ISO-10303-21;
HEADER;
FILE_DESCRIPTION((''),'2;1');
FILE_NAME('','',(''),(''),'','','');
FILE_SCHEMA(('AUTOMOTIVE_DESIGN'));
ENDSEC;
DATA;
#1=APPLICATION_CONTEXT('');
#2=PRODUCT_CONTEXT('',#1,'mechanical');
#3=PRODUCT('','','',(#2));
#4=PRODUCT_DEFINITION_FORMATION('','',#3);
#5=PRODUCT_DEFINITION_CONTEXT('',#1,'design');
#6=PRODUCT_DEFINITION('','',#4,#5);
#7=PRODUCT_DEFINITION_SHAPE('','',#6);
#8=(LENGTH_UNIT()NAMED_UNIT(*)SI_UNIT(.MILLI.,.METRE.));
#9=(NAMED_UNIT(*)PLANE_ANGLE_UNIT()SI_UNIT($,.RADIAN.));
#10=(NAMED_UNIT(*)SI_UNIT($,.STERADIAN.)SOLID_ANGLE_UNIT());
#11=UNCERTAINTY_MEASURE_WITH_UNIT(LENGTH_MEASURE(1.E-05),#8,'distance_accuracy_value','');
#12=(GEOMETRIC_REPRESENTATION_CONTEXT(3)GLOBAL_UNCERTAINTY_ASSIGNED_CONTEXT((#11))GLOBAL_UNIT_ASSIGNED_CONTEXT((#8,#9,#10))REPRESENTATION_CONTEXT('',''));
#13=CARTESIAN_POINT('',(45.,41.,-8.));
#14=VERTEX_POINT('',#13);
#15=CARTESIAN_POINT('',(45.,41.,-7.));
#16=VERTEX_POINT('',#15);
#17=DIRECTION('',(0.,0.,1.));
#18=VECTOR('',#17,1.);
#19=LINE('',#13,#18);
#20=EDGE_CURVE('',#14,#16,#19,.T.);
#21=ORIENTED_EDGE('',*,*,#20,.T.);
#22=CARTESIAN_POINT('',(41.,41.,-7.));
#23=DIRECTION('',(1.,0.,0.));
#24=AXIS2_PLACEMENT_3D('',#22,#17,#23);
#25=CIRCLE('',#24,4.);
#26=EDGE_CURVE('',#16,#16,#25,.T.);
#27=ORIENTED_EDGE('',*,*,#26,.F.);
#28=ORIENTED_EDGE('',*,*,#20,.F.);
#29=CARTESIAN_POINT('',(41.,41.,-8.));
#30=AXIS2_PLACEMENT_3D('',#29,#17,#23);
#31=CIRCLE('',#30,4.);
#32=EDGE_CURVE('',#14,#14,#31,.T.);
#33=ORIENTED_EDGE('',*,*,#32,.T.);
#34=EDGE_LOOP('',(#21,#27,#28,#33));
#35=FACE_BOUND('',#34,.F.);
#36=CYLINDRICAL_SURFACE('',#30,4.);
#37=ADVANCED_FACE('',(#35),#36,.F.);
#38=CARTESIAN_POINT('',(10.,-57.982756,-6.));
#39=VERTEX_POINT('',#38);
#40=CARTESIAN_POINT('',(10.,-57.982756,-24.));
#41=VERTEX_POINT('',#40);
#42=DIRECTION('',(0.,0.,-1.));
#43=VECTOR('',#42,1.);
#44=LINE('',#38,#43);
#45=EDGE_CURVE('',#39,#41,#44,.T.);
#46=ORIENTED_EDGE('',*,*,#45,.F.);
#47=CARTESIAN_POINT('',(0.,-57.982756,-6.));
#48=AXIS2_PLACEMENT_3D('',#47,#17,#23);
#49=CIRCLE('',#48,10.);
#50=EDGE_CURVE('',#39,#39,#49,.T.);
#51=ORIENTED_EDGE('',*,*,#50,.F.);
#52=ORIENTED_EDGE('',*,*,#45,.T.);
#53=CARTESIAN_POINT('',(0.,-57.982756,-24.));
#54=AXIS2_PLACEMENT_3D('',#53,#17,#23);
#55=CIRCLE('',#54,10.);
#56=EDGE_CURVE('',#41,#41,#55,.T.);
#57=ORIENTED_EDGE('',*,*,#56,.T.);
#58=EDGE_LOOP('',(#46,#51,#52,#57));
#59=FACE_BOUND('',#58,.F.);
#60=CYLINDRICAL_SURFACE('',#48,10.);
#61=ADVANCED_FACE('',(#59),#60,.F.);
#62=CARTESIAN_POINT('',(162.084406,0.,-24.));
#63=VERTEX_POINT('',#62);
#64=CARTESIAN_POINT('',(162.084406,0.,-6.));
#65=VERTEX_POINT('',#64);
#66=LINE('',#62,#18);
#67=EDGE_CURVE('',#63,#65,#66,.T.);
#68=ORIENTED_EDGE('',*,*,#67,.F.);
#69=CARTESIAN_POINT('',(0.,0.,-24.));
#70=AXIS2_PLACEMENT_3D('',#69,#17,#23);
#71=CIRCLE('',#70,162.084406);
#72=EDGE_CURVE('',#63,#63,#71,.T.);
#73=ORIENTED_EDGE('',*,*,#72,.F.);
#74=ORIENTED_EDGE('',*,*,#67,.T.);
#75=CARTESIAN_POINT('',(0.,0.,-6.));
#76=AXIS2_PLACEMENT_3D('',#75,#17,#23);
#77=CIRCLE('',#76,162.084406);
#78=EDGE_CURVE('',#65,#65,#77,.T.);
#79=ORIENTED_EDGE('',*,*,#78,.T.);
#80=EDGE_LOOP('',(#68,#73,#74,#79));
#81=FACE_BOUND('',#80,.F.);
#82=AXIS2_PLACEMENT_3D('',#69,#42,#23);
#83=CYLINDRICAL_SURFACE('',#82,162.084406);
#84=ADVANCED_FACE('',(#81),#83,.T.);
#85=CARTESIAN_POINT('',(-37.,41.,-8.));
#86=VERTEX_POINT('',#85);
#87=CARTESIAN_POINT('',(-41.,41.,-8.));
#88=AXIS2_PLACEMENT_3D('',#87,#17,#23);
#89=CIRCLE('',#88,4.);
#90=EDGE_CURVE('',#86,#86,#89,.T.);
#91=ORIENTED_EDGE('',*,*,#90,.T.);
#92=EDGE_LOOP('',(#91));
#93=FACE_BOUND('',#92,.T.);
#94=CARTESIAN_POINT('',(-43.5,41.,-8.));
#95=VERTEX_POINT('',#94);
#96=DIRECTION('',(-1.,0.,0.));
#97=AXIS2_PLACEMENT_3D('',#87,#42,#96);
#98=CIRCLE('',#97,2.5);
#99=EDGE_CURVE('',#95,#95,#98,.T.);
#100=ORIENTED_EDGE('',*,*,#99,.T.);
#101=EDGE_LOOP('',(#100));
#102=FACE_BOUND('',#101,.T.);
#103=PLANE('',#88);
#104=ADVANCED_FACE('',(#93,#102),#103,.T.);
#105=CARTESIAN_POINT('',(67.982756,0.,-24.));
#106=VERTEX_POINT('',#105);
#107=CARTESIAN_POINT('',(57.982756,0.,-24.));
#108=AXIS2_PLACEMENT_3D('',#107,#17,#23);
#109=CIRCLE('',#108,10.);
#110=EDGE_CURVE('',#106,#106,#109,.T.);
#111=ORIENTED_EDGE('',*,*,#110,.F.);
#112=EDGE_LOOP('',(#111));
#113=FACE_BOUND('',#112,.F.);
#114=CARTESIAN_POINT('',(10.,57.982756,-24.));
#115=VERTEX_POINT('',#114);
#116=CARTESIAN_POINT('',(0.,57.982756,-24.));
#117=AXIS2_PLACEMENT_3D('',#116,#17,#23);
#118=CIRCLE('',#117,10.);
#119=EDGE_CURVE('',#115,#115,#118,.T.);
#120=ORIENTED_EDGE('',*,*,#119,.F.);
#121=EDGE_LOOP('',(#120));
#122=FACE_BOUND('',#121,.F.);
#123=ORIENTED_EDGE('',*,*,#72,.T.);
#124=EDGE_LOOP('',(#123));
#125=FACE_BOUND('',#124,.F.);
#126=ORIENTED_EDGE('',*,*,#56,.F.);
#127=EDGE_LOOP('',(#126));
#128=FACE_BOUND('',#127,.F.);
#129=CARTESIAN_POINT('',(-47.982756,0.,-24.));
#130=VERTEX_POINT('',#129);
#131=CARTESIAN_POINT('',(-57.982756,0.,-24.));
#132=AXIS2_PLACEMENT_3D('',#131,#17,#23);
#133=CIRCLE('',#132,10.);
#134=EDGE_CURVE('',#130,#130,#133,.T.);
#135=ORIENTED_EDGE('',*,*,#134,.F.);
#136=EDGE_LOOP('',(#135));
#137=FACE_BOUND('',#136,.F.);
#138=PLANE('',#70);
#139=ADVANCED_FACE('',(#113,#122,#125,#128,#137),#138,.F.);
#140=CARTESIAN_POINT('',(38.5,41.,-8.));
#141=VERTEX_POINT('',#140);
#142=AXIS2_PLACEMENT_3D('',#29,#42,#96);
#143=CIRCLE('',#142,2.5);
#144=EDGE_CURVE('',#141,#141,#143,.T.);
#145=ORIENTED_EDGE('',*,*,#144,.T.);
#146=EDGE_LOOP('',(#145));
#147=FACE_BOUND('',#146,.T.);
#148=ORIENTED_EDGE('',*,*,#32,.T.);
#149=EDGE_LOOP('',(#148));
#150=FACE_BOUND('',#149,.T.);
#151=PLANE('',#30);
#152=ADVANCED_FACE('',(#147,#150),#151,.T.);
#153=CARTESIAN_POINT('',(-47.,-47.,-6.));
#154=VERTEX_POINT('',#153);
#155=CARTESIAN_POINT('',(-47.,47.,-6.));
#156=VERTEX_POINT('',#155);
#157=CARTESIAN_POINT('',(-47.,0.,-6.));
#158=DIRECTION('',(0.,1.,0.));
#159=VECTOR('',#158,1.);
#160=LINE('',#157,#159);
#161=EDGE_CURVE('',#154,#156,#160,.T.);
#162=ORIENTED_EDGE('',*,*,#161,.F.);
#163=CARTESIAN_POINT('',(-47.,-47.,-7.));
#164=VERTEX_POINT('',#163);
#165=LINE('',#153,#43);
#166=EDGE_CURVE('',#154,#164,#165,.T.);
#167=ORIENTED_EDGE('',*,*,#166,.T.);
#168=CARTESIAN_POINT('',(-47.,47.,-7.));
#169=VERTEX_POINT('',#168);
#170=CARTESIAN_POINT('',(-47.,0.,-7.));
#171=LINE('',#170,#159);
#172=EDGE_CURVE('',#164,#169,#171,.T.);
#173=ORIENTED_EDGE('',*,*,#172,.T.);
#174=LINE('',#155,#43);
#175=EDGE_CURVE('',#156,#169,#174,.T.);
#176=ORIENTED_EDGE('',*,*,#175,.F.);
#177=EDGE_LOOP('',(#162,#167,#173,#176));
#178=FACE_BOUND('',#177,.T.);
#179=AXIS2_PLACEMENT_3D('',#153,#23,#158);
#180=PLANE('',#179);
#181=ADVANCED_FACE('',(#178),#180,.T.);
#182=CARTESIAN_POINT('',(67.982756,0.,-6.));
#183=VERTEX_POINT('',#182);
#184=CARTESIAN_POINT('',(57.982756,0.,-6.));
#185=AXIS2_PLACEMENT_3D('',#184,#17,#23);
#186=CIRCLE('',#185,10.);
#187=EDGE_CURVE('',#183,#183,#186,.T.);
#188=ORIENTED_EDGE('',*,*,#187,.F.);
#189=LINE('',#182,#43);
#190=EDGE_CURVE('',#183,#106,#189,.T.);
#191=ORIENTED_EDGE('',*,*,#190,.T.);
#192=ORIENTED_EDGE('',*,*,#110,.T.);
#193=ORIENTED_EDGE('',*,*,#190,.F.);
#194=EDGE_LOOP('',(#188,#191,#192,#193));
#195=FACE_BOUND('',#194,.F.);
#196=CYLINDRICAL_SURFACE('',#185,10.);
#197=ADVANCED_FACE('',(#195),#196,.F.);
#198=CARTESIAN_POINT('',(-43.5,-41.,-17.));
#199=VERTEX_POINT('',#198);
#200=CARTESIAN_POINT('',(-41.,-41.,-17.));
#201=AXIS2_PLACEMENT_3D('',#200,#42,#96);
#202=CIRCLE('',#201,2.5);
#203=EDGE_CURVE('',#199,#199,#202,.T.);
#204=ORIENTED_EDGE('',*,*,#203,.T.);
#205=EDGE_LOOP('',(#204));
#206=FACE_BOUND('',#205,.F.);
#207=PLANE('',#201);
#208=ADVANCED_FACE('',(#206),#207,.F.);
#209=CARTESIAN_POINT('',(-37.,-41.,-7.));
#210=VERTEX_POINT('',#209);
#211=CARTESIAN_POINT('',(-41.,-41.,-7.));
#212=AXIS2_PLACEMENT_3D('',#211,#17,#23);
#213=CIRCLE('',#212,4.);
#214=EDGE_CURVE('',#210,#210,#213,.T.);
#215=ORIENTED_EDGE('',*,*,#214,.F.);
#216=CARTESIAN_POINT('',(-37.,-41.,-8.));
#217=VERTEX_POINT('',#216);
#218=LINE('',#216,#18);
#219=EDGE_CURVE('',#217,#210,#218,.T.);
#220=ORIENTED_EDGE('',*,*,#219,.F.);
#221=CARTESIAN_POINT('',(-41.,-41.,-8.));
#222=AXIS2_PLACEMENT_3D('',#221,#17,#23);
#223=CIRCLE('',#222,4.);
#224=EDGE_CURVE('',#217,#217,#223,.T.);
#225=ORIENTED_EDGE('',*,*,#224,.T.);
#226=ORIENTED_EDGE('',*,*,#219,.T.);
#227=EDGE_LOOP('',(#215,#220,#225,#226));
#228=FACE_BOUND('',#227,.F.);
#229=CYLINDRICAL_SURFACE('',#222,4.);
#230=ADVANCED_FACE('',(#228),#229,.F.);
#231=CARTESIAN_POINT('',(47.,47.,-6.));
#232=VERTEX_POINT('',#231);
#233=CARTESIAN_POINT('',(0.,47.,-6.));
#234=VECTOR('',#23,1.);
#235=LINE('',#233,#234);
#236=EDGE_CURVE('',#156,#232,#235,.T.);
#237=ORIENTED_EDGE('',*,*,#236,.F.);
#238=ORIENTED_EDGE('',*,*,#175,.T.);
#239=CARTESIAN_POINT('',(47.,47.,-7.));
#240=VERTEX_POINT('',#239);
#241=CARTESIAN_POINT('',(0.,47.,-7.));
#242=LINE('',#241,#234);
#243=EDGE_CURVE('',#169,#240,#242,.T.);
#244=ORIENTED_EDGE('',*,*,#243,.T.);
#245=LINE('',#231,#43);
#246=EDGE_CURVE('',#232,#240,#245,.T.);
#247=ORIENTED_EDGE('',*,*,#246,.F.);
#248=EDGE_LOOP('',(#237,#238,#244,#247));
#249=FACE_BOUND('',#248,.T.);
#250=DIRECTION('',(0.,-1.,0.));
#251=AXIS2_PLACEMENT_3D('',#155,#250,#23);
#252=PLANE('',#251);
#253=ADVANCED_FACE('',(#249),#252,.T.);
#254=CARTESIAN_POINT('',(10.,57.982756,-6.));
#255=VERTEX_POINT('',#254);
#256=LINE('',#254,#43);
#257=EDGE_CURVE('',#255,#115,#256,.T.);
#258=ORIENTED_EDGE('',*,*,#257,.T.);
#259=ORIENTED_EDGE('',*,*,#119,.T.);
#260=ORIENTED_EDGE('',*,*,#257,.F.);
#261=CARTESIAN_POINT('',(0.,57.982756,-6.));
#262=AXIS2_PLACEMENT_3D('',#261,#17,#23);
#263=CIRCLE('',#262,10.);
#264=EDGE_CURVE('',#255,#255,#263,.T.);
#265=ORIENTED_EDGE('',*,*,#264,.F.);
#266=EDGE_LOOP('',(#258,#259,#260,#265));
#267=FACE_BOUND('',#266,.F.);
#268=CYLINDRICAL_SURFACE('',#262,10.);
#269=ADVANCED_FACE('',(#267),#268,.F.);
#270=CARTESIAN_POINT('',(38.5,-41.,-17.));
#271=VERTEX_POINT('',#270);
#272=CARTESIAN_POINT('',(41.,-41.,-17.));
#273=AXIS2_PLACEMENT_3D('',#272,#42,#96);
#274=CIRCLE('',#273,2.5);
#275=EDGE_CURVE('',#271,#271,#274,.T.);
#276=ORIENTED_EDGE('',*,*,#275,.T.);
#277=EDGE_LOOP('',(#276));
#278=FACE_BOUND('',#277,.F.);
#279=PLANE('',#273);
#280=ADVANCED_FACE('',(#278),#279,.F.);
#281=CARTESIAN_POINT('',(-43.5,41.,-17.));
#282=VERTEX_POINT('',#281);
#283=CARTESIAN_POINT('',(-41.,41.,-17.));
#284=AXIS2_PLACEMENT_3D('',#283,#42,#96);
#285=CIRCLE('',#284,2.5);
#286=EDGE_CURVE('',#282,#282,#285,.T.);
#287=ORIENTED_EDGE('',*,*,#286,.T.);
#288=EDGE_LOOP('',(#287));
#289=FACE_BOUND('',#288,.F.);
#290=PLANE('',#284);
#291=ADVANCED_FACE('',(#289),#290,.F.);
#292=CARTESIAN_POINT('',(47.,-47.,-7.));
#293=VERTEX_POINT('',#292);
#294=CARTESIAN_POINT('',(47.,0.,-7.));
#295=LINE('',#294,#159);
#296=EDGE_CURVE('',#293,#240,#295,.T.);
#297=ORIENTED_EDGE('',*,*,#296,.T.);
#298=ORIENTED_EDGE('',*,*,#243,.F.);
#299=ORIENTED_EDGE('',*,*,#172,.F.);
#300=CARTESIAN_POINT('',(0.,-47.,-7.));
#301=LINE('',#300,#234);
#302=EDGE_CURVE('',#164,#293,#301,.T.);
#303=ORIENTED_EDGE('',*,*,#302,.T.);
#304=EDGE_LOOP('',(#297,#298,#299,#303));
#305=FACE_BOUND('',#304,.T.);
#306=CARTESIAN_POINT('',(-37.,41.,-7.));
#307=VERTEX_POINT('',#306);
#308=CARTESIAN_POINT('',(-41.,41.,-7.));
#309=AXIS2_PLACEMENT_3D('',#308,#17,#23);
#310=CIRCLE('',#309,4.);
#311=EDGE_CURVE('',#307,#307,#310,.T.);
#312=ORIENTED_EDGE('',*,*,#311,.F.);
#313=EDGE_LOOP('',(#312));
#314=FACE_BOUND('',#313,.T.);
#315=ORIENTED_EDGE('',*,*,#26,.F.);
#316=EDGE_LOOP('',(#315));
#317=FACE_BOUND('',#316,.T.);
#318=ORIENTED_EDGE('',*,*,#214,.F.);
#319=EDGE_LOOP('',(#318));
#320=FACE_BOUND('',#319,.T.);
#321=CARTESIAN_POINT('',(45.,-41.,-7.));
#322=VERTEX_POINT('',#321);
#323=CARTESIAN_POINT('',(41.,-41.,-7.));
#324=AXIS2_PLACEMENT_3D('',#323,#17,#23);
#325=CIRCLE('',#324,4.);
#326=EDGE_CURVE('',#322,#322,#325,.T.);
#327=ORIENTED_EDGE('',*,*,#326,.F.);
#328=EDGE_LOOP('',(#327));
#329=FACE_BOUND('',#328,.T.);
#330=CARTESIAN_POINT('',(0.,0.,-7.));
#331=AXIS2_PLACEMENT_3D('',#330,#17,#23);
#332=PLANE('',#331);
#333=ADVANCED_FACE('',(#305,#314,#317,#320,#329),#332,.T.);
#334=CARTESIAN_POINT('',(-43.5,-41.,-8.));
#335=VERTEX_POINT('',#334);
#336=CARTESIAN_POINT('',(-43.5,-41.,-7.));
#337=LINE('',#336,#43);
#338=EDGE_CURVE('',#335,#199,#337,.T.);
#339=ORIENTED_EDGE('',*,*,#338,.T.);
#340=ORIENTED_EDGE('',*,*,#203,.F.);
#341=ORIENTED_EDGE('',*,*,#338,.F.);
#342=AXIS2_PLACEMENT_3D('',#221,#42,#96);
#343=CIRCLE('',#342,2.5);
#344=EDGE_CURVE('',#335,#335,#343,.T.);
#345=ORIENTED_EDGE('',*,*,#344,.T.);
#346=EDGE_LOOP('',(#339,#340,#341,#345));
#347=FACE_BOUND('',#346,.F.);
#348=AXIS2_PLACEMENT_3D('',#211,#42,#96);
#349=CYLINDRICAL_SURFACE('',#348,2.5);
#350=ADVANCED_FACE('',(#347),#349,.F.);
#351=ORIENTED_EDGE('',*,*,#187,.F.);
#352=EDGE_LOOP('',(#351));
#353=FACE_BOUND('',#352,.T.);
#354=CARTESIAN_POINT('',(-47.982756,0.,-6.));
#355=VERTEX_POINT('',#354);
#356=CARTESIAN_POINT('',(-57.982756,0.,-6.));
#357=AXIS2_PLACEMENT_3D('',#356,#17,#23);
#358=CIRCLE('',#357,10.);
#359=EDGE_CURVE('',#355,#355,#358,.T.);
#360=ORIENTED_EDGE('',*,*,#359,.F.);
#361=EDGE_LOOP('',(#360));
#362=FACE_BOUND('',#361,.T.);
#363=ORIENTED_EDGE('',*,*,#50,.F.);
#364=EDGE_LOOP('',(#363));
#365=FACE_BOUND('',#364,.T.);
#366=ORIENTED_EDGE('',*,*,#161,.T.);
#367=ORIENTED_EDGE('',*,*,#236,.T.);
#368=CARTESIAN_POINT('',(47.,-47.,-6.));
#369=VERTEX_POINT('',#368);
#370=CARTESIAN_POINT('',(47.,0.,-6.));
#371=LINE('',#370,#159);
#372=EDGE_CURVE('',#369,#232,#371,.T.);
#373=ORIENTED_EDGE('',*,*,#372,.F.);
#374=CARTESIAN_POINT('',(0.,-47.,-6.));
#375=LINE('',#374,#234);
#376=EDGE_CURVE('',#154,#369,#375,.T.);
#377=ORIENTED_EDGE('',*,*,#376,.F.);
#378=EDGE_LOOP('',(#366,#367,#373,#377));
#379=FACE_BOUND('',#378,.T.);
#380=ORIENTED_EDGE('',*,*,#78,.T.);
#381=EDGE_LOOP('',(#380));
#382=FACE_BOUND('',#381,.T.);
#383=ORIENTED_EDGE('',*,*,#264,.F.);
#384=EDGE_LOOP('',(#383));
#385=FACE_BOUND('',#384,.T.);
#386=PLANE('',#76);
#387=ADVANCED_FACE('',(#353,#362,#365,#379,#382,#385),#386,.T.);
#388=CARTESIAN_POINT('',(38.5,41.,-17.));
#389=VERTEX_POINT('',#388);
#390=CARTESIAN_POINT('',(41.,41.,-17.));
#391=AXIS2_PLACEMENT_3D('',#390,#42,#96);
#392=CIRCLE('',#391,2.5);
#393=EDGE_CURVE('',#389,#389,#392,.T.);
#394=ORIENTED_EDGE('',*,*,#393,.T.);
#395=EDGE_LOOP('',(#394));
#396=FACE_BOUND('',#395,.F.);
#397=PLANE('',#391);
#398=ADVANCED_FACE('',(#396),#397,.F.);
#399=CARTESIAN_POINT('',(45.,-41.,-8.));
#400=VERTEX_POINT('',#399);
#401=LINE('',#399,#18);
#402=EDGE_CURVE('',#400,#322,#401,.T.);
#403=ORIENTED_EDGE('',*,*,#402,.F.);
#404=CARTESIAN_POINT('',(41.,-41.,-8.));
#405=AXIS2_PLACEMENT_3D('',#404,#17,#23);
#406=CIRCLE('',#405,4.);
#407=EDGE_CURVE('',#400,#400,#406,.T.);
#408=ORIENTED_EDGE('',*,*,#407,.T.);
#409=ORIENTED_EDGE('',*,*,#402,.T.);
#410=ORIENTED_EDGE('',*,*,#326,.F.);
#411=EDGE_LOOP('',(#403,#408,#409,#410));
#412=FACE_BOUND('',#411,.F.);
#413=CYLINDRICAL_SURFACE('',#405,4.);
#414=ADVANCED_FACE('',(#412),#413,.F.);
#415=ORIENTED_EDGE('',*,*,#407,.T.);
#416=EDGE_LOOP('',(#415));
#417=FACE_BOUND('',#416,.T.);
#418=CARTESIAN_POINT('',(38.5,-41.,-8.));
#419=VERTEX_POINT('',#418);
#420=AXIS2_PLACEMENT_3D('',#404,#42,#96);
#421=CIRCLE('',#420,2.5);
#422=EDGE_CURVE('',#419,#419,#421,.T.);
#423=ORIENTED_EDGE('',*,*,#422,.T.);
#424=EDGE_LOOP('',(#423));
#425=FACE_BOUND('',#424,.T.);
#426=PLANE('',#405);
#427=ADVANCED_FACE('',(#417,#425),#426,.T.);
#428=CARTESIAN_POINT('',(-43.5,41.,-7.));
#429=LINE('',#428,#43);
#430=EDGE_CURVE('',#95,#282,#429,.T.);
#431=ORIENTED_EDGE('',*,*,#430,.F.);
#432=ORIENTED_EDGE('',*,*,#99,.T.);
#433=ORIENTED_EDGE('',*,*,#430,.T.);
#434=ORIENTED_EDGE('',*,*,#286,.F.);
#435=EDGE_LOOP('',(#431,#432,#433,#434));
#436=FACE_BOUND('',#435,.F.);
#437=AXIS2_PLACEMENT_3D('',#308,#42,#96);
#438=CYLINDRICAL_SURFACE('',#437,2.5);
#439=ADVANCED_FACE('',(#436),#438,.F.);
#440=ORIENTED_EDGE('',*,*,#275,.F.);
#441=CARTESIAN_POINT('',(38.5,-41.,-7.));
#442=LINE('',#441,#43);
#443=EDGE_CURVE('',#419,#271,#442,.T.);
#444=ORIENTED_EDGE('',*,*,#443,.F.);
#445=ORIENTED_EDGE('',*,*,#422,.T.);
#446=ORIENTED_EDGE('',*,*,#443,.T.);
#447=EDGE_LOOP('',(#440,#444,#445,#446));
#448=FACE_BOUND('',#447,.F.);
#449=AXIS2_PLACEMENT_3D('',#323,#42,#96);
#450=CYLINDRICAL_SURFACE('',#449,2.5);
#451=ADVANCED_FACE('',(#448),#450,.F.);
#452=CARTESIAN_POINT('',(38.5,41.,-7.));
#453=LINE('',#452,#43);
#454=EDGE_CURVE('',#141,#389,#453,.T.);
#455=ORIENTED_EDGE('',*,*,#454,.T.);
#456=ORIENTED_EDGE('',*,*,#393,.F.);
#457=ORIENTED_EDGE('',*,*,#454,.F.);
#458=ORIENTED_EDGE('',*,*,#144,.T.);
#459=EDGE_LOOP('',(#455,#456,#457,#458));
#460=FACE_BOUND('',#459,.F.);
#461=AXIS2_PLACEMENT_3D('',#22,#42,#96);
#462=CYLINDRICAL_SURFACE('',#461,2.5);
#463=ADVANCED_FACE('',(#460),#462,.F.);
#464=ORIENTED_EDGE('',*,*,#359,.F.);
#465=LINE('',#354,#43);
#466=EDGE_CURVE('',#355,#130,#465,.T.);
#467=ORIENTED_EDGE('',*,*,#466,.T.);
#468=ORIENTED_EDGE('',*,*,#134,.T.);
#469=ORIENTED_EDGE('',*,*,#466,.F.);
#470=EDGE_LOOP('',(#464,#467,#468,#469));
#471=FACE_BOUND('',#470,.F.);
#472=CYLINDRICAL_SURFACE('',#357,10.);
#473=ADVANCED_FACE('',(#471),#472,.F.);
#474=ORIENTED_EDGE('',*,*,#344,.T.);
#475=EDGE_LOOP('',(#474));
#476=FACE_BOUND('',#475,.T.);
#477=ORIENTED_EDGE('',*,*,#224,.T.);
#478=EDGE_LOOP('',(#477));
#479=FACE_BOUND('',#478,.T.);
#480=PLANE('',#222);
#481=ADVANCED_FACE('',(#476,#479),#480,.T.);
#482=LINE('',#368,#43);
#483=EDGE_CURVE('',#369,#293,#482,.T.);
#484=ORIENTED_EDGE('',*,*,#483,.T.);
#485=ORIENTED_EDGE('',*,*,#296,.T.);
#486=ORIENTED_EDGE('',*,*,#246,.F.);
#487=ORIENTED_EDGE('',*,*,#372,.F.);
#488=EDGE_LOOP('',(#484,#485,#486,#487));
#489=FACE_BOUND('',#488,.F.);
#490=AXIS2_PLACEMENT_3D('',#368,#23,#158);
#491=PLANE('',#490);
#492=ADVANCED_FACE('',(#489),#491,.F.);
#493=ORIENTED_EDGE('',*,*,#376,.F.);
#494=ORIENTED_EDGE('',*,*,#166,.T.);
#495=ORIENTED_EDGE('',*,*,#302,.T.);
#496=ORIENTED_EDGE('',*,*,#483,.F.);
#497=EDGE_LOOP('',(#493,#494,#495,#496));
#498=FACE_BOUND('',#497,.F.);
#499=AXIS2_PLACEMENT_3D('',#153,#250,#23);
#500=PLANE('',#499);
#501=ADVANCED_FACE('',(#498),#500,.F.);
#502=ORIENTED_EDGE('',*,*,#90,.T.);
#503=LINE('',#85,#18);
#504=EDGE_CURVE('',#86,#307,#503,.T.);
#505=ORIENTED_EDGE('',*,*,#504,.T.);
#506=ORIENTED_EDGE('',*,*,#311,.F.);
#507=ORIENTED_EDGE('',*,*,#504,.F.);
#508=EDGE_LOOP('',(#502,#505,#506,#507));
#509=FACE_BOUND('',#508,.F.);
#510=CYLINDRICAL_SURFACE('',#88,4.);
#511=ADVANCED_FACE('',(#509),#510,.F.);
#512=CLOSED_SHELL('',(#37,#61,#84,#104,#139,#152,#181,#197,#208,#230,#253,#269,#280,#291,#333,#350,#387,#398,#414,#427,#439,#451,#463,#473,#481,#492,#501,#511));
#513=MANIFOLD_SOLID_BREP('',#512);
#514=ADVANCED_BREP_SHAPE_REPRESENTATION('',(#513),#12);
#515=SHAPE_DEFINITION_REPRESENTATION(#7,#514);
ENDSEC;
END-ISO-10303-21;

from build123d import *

# Parameters (mm, degrees)
SKETCH003_R      = 162.0844056183
PAD002_DEPTH     = 18
SKETCH009_W      = 94
SKETCH009_H      = 94
POCKET002_DEPTH  = 1
HOLE_D           = 5
HOLE_DEPTH       = 10
HOLE_CBORE_D     = 8
HOLE_CBORE_DEPTH = 1
SKETCH011_R      = 10
POCKET003_DEPTH  = 18.001


with BuildPart() as part:
    # Sketch003 → Pad002 (new body)
    with BuildSketch(Plane.XY):
        Circle(SKETCH003_R)
    extrude(amount=PAD002_DEPTH)

    # Sketch009 (on Face3 of Pad002) → Pocket002 (cut)
    with BuildSketch(Plane.XY.offset(18)):
        Rectangle(SKETCH009_W, SKETCH009_H)
    extrude(amount=-POCKET002_DEPTH, mode=Mode.SUBTRACT)

    # Hole
    with Locations(Plane.XY.offset(17)):
        with Locations((-41, 41), (41, 41), (-41, -41), (41, -41)):
            CounterBoreHole(HOLE_D / 2, HOLE_CBORE_D / 2, HOLE_CBORE_DEPTH, depth=HOLE_DEPTH)

    # Sketch011 (on Face3 of Hole) → Pocket003 (cut, through all)
    with BuildSketch(Plane.XY.offset(18)):
        with Locations((-57.9827560573, 0)):
            Circle(SKETCH011_R)
        with Locations((0, 57.9827560573)):
            Circle(SKETCH011_R)
        with Locations((57.9827560573, 0)):
            Circle(SKETCH011_R)
        with Locations((0, -57.9827560573)):
            Circle(SKETCH011_R)
    extrude(amount=-POCKET003_DEPTH, mode=Mode.SUBTRACT)


with BuildPart() as part_1:
    # Clone004 placement: moved
    add(part.part.moved(Location((0, 0, -24))))


solid = part_1.part
